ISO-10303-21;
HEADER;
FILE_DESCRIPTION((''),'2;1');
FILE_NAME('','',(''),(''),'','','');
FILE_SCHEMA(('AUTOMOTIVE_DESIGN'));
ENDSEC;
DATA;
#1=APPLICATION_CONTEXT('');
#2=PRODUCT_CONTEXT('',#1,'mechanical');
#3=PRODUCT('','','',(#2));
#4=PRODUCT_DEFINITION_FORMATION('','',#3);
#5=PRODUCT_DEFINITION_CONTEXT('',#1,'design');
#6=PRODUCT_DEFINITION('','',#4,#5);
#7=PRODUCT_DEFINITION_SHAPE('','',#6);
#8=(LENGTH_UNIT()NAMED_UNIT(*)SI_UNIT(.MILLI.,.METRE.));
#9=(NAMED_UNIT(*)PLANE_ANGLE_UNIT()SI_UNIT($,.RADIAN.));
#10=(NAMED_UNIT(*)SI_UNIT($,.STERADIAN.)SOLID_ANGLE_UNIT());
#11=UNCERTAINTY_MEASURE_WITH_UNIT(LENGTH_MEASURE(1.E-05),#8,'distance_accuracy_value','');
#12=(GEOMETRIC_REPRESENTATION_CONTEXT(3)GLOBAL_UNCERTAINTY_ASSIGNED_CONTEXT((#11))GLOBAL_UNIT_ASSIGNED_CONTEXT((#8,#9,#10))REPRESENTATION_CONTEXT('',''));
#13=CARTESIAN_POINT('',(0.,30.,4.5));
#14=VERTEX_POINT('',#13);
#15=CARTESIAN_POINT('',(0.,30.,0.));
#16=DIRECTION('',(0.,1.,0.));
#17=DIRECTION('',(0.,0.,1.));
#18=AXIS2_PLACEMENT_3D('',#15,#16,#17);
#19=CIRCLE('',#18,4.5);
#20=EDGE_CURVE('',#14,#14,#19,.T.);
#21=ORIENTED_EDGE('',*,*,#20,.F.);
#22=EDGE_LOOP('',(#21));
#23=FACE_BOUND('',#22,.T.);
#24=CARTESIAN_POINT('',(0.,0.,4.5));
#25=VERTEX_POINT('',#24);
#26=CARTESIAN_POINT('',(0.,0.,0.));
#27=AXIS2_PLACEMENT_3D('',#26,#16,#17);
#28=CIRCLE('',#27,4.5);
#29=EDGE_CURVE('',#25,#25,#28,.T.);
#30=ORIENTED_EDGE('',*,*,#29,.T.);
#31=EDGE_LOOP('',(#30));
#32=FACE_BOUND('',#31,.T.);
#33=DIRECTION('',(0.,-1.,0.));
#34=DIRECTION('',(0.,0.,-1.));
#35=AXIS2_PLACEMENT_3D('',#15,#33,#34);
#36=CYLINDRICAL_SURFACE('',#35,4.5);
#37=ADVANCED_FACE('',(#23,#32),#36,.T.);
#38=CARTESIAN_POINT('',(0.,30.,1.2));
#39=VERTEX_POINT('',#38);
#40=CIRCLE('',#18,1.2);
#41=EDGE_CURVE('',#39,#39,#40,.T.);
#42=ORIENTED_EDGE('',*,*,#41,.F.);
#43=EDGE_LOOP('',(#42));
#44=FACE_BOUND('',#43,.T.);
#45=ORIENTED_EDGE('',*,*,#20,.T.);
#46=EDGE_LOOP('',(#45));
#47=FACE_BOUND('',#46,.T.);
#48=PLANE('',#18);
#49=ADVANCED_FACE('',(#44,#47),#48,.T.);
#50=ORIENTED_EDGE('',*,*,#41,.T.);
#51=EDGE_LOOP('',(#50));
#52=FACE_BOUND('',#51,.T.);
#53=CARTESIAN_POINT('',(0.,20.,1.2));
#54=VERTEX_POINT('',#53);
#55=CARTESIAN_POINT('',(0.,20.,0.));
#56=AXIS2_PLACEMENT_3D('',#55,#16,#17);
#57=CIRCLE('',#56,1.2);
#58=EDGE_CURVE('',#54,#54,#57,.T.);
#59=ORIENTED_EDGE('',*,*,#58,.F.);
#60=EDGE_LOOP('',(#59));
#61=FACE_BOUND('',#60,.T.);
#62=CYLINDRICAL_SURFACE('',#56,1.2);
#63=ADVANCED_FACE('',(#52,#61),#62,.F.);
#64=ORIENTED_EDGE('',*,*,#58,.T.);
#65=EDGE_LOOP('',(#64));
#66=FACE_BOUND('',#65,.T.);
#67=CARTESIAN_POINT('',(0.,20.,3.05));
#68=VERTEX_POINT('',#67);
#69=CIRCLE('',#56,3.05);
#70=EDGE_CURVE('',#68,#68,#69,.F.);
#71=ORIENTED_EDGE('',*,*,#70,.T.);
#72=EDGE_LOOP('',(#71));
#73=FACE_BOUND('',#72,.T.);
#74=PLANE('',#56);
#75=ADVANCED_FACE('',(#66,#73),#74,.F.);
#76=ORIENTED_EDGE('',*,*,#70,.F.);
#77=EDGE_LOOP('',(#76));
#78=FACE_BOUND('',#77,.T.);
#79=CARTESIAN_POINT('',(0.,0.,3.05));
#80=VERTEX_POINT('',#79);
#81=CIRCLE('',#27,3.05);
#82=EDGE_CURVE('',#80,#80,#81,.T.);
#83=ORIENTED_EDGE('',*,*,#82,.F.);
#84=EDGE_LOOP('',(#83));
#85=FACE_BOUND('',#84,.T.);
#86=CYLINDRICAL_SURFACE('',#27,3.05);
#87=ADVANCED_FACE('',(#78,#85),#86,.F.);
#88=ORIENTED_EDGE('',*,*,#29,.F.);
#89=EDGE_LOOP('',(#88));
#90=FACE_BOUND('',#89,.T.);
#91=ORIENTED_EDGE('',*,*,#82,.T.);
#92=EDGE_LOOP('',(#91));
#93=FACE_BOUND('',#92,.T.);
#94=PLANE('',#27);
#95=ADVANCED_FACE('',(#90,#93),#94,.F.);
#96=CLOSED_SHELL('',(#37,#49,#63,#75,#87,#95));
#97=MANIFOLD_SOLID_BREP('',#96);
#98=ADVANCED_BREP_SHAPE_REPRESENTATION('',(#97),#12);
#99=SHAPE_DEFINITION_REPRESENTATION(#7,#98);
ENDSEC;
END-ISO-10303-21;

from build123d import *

# Parameters (mm, degrees)
SKETCH1_R           = 4.5
BOSS_EXTRUDE1_DEPTH = 30
SKETCH2_R           = 3.05
CUT_EXTRUDE1_DEPTH  = 31.66757245
SKETCH3_R           = 3.05
BOSS_EXTRUDE2_DEPTH = 10
SKETCH4_R           = 1.2
CUT_EXTRUDE2_DEPTH  = 10


with BuildPart() as part:
    # Sketch1 → Boss-Extrude1 (new body)
    with BuildSketch(Plane(origin=(0, 0, 0), x_dir=(1, 0, 0), z_dir=(0, 1, 0))):
        with Locations(Location((0, 0, 0), (0, 0, 270))):
            Circle(SKETCH1_R)
    extrude(amount=BOSS_EXTRUDE1_DEPTH)

    # Sketch2 → Cut-Extrude1 (cut, through all)
    with BuildSketch(Plane(origin=(0, 30, 0), x_dir=(1, 0, 0), z_dir=(0, 1, 0))):
        with Locations(Location((0, 0, 0), (0, 0, 270))):
            Circle(SKETCH2_R)
    extrude(amount=-CUT_EXTRUDE1_DEPTH, mode=Mode.SUBTRACT)

    # Sketch3 → Boss-Extrude2 (add)
    with BuildSketch(Plane(origin=(0, 30, 0), x_dir=(1, 0, 0), z_dir=(0, 1, 0))):
        with Locations(Location((0, 0, 0), (0, 0, 270))):
            Circle(SKETCH3_R)
    extrude(amount=-BOSS_EXTRUDE2_DEPTH)

    # Sketch4 → Cut-Extrude2 (cut)
    with BuildSketch(Plane(origin=(0, 30, 0), x_dir=(1, 0, 0), z_dir=(0, 1, 0))):
        with Locations(Location((0, 0, 0), (0, 0, 270))):
            Circle(SKETCH4_R)
    extrude(amount=-CUT_EXTRUDE2_DEPTH, mode=Mode.SUBTRACT)


solid = part.part
